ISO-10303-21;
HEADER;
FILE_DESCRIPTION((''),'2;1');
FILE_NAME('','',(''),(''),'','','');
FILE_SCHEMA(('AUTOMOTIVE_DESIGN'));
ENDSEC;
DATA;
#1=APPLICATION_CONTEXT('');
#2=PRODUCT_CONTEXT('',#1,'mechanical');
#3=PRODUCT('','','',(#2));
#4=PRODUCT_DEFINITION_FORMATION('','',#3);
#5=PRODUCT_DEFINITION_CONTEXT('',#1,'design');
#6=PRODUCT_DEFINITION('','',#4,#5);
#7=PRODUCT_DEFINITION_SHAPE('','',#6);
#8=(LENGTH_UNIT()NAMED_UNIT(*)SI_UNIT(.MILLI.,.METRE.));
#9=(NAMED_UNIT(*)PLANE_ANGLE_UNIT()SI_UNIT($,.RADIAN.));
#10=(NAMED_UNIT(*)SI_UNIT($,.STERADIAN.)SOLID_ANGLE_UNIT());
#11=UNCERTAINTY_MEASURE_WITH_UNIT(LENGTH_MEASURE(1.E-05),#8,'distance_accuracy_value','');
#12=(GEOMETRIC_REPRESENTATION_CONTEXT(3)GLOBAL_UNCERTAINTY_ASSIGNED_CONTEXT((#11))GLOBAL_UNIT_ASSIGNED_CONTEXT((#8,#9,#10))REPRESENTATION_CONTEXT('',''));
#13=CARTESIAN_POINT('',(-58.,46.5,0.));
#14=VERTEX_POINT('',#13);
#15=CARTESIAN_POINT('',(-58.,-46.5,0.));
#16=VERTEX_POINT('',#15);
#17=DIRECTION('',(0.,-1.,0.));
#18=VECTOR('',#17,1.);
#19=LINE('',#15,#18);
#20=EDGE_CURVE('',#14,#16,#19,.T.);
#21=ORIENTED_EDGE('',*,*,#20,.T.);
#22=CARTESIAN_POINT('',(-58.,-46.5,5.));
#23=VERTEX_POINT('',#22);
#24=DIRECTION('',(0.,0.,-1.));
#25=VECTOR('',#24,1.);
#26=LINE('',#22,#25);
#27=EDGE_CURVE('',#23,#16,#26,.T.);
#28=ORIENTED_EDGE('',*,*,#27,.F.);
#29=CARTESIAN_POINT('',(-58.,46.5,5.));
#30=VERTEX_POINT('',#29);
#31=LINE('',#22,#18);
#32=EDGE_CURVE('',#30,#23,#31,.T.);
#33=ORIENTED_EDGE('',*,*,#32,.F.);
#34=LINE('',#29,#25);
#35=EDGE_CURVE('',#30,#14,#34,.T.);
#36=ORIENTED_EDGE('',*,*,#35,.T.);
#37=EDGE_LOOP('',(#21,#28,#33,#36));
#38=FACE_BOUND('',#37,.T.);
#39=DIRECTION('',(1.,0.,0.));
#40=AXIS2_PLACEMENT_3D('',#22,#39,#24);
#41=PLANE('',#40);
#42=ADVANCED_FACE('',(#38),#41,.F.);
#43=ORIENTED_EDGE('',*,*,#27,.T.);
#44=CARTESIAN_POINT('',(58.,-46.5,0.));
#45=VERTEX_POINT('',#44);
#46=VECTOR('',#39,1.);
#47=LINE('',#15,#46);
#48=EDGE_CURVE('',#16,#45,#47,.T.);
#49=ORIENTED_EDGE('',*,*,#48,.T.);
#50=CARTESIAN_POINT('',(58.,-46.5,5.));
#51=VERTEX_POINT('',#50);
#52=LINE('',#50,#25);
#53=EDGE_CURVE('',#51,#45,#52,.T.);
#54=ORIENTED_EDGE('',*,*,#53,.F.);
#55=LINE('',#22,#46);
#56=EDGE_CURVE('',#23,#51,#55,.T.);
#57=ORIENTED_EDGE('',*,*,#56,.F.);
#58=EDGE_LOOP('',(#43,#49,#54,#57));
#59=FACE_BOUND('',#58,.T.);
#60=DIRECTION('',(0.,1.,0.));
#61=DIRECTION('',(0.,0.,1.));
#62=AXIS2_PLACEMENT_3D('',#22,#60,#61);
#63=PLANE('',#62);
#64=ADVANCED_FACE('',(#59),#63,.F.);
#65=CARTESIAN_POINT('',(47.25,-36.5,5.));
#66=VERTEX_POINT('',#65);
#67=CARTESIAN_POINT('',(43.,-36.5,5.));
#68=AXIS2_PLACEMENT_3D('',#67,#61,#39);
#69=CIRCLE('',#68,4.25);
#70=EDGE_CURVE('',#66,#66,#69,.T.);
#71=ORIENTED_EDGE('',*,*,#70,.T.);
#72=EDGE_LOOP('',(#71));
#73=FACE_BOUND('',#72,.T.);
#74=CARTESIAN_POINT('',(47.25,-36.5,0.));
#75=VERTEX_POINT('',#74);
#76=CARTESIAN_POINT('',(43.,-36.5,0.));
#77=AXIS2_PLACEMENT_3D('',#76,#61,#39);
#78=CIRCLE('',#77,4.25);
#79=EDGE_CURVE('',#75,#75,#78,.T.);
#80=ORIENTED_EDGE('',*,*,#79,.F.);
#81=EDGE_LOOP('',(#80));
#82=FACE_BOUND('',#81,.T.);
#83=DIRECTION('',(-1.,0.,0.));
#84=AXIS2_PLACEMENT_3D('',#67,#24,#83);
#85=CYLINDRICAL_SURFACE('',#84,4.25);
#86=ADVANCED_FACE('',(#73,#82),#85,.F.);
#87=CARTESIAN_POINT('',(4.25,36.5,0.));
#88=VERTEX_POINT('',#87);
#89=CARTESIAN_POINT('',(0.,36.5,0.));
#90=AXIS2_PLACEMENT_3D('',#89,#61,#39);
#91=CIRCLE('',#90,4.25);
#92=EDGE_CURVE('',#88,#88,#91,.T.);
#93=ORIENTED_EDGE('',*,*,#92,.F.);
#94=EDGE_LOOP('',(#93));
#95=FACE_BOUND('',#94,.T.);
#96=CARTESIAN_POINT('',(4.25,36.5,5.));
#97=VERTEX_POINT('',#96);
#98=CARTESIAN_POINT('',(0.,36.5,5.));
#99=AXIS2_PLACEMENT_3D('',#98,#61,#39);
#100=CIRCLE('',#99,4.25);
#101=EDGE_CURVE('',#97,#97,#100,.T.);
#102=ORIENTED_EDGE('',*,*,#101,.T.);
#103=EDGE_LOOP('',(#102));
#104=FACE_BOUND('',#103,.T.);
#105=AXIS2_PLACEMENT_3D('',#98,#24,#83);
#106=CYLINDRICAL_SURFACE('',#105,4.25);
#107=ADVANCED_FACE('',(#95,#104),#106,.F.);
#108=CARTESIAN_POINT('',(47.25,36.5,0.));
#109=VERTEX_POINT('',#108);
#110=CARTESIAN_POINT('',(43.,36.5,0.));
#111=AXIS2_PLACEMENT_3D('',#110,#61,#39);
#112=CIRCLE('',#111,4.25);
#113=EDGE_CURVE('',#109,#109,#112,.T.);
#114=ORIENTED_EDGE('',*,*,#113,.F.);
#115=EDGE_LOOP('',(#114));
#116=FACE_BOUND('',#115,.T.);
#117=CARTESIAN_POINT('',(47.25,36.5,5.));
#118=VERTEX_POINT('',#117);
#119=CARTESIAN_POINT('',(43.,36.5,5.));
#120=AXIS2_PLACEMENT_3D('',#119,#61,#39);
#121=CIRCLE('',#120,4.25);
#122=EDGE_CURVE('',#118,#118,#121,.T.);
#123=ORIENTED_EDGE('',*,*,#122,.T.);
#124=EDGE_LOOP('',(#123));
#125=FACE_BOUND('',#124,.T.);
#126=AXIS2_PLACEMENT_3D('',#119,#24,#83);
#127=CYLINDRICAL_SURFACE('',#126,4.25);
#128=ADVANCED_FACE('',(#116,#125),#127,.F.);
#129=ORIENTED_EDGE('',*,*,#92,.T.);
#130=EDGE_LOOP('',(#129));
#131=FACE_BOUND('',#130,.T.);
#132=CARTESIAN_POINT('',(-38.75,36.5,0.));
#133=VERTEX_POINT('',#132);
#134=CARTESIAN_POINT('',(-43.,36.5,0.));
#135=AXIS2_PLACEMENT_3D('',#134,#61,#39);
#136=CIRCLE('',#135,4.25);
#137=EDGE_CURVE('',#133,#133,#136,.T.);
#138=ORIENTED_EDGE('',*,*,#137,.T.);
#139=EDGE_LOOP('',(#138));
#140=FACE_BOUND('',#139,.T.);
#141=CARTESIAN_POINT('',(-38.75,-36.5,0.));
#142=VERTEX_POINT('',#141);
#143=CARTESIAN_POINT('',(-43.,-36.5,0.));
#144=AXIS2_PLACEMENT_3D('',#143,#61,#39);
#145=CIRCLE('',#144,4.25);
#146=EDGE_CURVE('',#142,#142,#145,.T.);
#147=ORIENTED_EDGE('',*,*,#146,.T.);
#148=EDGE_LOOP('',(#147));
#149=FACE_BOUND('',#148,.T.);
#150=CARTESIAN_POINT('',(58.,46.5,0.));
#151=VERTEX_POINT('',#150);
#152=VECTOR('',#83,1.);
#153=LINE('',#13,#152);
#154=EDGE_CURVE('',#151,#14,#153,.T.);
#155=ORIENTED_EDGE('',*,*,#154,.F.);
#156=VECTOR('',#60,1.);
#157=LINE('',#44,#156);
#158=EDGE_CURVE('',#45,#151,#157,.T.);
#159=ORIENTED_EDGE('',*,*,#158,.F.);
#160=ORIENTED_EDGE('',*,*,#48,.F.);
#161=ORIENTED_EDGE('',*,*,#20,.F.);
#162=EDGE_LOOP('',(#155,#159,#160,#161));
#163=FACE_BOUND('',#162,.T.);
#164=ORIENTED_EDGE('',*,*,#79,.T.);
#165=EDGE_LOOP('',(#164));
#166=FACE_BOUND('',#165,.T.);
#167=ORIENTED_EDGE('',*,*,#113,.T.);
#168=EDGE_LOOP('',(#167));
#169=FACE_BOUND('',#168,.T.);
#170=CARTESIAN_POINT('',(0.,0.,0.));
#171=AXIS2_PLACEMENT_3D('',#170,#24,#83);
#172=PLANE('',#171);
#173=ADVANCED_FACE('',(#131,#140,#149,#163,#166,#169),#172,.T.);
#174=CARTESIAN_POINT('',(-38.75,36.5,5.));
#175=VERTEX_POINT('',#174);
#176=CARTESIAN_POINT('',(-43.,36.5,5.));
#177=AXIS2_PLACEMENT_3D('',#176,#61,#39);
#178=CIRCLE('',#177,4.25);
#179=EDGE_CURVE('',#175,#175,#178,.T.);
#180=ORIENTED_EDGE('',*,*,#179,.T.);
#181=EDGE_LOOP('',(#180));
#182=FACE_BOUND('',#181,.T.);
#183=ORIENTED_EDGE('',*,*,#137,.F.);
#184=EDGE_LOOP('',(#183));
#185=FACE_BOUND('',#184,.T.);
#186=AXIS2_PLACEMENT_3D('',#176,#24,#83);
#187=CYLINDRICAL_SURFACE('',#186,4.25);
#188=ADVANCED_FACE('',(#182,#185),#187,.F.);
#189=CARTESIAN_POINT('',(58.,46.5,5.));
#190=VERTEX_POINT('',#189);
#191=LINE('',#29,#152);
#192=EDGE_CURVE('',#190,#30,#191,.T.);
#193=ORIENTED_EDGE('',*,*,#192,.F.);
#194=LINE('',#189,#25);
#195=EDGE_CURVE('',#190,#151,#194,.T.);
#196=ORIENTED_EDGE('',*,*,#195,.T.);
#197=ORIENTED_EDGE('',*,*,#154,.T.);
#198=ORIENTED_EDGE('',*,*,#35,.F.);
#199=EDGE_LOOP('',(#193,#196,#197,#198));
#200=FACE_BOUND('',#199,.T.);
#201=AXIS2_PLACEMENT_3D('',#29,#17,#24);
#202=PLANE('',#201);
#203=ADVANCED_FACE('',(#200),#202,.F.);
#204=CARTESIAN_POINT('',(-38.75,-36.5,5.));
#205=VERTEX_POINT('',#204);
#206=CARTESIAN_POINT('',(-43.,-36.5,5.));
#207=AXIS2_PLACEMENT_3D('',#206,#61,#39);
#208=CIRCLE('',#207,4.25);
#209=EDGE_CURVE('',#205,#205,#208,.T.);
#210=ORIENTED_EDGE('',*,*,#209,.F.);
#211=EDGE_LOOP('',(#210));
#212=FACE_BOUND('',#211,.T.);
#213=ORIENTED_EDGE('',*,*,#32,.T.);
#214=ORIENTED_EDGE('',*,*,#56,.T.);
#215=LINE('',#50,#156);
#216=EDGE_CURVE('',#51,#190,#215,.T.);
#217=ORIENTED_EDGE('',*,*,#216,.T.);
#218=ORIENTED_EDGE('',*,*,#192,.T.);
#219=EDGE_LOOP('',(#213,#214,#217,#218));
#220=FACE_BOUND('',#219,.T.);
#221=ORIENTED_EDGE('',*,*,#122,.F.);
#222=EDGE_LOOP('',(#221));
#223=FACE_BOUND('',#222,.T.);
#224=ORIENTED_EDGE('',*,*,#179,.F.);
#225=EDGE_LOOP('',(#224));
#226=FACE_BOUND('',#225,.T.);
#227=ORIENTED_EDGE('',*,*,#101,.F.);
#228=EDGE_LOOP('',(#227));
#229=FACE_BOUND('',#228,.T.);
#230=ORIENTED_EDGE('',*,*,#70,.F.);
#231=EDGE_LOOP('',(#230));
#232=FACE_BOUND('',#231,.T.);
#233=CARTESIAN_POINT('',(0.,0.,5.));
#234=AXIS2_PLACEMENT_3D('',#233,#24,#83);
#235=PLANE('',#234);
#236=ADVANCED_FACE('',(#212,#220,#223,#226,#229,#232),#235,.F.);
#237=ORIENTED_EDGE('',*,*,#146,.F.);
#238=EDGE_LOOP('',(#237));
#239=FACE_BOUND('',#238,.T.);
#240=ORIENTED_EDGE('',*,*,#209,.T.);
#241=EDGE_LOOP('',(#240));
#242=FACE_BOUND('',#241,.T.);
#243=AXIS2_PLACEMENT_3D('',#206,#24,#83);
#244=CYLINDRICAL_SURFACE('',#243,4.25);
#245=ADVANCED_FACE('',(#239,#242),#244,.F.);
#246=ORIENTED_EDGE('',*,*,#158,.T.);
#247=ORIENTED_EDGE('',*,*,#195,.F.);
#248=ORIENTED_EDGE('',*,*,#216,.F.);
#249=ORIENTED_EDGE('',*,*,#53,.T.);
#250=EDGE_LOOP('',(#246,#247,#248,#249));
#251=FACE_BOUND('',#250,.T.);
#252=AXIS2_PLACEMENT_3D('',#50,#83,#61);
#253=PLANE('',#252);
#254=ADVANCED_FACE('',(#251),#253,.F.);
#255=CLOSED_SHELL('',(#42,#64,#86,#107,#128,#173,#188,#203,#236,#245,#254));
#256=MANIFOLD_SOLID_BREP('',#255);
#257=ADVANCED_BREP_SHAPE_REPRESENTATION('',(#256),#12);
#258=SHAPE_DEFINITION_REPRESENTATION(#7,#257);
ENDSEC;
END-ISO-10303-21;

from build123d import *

# Parameters (mm, degrees)
SKETCH1_W           = 116
SKETCH1_H           = 93
SKETCH1_R           = 4.25
BOSS_EXTRUDE1_DEPTH = 5


with BuildPart() as part:
    # Sketch1 → Boss-Extrude1 (new body)
    with BuildSketch(Plane.XY):
        Rectangle(SKETCH1_W, SKETCH1_H)
        with Locations((-43, 36.5)):
            Circle(SKETCH1_R, mode=Mode.SUBTRACT)
        with Locations((43, 36.5)):
            Circle(SKETCH1_R, mode=Mode.SUBTRACT)
        with Locations((43, -36.5)):
            Circle(SKETCH1_R, mode=Mode.SUBTRACT)
        with Locations((-43, -36.5)):
            Circle(SKETCH1_R, mode=Mode.SUBTRACT)
        with Locations((0, 36.5)):
            Circle(SKETCH1_R, mode=Mode.SUBTRACT)
    extrude(amount=BOSS_EXTRUDE1_DEPTH)


solid = part.part
